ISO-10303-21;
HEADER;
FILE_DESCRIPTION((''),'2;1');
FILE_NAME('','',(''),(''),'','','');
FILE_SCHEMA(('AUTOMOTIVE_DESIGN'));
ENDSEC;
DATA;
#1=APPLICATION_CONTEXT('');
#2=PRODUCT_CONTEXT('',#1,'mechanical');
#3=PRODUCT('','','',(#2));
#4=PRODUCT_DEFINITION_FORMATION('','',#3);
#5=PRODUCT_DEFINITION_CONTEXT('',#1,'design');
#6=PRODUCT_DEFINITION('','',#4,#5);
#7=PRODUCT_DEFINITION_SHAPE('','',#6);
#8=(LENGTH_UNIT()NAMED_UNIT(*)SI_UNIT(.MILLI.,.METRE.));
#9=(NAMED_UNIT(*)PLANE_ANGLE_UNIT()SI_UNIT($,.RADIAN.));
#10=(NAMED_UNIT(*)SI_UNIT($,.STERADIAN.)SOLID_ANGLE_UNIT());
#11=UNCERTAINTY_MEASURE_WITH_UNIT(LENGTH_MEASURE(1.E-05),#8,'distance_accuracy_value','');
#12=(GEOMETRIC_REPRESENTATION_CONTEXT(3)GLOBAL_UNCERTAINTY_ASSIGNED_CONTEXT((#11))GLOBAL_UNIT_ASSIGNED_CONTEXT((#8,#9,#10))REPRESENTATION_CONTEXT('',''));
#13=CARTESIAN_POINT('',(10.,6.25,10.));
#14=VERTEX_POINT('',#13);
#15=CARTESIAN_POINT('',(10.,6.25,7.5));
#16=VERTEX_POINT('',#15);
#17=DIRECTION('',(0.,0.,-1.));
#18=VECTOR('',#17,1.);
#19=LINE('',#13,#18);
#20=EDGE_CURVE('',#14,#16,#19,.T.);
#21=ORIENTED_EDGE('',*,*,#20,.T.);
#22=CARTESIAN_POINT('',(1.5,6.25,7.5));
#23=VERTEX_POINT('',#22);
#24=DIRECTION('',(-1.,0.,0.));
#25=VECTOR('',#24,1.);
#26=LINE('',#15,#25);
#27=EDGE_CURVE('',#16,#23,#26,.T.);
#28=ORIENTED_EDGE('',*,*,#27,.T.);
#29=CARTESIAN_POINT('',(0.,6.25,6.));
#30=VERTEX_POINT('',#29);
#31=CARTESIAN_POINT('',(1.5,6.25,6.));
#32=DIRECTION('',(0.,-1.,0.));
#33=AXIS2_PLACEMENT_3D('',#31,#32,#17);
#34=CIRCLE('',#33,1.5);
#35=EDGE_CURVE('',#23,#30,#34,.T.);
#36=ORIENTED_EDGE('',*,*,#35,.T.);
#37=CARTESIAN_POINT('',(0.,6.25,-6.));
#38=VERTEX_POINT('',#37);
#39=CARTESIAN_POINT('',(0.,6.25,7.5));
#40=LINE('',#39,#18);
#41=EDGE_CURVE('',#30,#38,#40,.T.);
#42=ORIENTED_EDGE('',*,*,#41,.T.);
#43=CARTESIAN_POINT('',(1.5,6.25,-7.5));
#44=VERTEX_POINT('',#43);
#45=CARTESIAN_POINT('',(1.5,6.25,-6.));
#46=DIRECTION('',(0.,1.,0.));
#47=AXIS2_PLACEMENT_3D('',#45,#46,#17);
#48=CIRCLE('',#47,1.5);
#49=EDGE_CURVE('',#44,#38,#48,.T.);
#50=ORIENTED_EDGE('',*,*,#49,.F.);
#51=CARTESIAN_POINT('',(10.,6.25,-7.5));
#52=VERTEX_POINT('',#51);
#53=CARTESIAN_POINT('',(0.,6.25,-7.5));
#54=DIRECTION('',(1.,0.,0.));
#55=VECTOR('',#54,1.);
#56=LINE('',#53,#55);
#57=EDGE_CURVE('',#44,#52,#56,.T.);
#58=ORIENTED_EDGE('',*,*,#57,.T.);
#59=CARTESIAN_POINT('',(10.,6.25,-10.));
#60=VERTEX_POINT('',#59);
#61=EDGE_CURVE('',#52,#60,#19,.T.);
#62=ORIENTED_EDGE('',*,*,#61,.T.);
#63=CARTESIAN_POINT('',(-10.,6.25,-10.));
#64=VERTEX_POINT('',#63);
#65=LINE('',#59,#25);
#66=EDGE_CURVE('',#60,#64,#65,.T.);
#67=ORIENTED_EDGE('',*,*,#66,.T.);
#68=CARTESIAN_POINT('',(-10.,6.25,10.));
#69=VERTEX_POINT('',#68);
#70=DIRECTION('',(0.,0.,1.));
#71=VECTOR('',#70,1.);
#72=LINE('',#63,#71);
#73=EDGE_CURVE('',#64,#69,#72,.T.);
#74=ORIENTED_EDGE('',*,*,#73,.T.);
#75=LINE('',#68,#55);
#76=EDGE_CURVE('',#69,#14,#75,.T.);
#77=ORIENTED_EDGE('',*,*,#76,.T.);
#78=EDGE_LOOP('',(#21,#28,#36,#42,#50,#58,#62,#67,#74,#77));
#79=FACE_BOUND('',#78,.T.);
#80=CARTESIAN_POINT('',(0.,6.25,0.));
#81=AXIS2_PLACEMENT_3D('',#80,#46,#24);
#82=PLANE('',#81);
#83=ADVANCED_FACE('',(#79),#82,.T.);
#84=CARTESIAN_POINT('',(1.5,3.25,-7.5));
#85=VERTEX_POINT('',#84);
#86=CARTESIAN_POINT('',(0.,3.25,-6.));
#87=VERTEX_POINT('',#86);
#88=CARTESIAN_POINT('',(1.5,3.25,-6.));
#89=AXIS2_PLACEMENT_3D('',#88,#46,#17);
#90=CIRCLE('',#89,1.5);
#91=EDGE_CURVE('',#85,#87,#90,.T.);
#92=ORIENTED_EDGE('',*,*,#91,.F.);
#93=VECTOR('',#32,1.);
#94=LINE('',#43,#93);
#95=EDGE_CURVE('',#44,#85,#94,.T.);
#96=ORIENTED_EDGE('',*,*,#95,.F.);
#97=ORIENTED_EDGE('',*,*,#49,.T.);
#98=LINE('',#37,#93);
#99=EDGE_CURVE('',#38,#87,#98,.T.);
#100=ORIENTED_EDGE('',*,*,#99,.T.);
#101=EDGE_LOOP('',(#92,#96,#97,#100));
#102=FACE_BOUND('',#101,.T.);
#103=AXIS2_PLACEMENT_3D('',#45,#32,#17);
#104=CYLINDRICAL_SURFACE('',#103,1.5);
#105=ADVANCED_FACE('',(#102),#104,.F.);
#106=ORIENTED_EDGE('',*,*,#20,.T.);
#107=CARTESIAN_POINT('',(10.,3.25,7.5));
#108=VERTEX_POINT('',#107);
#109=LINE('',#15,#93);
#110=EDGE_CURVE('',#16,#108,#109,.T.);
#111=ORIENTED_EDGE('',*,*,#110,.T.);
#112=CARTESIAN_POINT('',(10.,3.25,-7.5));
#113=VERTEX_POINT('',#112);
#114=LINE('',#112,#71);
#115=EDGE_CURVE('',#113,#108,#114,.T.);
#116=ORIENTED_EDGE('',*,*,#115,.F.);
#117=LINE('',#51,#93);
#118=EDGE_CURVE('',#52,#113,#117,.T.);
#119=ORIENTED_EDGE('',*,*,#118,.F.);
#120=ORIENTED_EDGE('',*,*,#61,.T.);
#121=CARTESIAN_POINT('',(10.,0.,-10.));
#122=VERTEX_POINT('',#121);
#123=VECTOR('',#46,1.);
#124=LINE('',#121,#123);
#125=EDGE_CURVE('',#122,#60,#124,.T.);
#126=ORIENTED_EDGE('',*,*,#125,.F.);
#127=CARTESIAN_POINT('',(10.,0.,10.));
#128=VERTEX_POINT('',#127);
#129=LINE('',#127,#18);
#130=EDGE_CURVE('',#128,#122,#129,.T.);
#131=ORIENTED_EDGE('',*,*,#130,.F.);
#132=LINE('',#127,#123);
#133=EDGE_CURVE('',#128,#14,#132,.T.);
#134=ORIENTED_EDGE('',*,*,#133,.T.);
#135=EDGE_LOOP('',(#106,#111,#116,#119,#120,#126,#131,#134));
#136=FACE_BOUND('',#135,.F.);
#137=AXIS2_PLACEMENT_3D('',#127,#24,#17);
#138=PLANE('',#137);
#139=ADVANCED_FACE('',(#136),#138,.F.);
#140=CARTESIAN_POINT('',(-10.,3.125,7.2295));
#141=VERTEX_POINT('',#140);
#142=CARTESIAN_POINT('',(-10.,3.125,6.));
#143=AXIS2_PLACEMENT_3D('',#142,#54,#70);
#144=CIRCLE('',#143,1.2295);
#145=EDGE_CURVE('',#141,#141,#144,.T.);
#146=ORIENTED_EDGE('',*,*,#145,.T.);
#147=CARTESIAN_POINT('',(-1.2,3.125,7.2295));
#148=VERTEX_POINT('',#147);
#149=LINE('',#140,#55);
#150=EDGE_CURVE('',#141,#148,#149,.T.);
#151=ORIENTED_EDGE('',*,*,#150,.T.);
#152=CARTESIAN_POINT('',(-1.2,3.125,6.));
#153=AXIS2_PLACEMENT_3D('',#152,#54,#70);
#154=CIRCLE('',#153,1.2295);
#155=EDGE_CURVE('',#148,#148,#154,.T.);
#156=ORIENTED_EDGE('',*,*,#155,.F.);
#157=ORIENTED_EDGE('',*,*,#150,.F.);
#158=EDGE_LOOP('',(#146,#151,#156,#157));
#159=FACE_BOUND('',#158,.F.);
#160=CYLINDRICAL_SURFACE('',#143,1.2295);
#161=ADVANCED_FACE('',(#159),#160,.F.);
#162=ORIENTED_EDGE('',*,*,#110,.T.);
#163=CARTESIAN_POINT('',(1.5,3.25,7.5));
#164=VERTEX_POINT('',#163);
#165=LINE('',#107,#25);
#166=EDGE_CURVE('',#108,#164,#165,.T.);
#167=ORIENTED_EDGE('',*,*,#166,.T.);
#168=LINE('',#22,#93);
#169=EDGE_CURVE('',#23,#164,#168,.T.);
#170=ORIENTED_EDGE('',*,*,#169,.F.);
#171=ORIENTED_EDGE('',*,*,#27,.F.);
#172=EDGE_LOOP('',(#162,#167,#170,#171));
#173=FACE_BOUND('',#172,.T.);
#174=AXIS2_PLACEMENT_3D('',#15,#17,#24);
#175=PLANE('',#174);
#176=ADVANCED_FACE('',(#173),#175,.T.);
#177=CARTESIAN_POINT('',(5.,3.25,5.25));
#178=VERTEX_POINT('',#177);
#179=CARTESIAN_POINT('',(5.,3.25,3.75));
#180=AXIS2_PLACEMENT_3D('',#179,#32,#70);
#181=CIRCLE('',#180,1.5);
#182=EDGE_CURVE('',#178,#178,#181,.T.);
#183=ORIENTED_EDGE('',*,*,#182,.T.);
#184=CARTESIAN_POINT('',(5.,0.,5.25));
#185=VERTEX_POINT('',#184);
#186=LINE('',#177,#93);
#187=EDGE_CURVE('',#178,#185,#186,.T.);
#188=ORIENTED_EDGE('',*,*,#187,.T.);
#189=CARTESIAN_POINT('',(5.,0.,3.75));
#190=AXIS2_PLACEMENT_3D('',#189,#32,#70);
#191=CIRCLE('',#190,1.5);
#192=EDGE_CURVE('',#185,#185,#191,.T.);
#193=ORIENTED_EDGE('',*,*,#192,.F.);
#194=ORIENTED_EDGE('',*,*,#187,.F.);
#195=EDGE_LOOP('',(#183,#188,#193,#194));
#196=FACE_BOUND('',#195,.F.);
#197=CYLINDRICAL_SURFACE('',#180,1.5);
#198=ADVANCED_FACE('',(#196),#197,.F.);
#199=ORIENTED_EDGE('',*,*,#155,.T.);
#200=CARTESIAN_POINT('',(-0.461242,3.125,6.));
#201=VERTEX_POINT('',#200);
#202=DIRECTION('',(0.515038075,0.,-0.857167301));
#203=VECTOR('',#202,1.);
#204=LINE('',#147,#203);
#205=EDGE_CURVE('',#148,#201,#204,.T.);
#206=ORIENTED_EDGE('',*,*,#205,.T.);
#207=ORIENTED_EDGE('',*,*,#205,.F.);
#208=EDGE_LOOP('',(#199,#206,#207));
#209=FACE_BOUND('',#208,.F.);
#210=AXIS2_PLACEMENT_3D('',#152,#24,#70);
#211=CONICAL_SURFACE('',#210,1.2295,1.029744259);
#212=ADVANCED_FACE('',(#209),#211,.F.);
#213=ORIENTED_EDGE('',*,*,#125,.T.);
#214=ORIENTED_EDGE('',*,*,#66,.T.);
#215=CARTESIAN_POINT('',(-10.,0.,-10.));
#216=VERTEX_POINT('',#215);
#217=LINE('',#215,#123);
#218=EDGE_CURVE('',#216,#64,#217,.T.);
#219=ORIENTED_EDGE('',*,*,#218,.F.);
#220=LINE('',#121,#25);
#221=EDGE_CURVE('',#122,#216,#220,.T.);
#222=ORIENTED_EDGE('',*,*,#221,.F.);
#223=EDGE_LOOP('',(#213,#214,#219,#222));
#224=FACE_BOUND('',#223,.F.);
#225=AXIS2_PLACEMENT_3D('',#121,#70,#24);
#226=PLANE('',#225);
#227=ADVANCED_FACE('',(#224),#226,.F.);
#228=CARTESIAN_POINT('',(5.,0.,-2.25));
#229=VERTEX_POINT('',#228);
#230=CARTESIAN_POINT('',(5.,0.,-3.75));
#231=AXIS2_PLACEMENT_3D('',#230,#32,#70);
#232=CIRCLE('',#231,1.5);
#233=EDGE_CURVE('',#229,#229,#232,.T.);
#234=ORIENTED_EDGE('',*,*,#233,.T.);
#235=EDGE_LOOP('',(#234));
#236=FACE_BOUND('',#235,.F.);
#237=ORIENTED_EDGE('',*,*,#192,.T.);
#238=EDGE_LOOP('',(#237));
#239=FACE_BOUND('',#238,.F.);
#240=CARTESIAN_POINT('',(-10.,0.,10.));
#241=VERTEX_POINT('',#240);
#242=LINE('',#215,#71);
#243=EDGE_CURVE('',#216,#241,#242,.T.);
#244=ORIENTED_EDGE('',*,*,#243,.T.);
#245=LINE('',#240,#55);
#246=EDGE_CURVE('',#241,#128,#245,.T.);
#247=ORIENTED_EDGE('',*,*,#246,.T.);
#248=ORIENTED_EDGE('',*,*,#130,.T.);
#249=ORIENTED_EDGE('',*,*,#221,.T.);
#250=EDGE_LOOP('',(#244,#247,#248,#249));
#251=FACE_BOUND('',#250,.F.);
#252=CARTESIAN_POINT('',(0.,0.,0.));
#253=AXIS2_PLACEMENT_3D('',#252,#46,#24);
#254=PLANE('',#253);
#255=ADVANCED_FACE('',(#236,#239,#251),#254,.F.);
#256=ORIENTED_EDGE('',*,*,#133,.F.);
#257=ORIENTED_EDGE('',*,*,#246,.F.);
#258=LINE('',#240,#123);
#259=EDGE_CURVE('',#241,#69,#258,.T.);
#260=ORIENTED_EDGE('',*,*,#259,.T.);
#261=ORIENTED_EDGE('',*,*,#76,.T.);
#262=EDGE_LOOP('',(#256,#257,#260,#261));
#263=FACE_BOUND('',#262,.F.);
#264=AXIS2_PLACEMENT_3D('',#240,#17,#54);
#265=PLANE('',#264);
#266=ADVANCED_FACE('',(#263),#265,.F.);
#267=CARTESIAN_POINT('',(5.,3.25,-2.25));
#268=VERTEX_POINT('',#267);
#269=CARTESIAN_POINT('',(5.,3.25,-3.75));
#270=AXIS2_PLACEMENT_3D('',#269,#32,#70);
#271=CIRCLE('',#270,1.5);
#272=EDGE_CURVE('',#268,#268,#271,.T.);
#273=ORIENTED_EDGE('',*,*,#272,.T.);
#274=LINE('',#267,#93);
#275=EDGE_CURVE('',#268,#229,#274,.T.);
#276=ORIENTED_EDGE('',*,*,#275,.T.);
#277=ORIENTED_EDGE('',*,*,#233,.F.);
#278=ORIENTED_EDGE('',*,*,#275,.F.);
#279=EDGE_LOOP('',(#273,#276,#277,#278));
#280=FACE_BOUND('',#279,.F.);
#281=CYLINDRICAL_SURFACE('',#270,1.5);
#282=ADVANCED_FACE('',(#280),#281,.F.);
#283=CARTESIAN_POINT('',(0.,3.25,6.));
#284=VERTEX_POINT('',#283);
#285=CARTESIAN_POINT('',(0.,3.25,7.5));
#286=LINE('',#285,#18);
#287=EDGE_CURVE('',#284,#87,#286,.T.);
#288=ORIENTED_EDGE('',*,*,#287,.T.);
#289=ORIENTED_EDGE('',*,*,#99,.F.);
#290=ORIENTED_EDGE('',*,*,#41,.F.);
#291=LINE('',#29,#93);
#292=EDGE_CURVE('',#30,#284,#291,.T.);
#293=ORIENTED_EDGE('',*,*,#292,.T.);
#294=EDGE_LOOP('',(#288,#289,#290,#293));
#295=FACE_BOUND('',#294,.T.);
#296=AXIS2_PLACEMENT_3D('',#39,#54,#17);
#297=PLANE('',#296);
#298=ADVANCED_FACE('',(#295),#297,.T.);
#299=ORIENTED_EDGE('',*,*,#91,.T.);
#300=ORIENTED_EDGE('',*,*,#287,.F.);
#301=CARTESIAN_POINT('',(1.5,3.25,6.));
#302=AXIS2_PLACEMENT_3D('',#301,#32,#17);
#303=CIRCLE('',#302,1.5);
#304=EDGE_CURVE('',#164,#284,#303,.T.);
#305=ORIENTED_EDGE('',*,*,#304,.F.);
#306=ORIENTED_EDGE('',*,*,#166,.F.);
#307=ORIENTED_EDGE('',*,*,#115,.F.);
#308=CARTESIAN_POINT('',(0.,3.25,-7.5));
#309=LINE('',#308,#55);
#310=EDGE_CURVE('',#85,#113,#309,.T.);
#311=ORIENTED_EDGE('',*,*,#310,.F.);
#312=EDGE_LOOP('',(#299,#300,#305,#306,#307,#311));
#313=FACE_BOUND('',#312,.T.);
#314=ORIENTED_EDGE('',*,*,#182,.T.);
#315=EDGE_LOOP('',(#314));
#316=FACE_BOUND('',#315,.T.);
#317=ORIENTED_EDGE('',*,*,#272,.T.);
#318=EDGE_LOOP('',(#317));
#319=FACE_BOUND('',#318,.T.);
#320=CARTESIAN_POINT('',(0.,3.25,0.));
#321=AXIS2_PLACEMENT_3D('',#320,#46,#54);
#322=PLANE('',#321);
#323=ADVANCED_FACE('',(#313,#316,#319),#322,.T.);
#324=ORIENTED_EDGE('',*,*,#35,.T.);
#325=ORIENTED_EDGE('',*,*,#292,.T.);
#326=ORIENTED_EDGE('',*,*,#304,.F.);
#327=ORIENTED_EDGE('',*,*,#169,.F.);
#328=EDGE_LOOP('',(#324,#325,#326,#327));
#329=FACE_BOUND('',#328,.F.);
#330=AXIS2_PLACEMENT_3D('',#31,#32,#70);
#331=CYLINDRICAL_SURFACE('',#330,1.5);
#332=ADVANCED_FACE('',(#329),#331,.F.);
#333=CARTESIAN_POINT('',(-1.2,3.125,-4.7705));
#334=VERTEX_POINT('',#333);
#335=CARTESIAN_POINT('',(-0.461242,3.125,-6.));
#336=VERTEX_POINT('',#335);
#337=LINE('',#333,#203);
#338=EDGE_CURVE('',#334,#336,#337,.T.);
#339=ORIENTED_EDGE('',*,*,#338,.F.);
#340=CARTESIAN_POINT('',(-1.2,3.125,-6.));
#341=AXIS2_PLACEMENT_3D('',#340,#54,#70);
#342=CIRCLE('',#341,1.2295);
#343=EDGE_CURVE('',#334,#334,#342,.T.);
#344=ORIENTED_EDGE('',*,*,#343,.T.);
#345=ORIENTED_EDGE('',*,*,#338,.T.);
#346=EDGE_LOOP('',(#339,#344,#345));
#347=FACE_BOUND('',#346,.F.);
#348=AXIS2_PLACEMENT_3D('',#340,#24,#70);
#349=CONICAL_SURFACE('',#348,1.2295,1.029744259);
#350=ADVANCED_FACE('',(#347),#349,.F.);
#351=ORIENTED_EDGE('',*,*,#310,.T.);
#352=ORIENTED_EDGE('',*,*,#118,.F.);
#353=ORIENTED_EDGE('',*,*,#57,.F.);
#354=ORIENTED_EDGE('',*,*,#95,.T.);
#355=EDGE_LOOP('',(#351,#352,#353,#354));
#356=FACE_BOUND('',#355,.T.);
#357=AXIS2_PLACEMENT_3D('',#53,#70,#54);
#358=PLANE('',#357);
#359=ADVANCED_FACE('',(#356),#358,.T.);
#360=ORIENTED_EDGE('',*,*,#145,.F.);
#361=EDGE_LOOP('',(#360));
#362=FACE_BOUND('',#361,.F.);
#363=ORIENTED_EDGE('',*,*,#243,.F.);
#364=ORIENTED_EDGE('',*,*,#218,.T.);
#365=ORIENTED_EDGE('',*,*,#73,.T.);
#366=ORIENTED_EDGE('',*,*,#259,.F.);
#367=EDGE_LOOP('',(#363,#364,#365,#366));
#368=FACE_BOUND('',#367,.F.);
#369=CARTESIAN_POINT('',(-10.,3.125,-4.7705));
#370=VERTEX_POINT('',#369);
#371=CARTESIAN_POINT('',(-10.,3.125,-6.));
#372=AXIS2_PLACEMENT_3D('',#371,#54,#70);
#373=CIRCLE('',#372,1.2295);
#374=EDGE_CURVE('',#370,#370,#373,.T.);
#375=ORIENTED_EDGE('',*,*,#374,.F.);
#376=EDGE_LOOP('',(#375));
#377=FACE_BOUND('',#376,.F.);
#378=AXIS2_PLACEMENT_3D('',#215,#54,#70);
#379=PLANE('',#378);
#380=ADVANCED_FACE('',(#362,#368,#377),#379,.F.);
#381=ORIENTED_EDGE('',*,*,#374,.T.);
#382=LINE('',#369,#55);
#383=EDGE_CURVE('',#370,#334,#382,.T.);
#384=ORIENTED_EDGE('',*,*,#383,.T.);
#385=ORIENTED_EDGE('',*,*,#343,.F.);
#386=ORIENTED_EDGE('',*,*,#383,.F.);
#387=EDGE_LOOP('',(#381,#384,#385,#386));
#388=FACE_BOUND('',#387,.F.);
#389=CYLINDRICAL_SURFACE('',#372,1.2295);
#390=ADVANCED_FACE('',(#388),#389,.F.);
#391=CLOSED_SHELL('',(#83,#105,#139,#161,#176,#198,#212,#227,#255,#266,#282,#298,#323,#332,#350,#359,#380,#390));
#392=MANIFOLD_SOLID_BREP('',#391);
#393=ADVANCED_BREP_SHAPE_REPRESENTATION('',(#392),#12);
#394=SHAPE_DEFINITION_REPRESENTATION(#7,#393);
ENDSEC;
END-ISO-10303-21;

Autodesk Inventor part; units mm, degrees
ref_plane "YZ Plane" through (0, 0, 0) normal (1, 0, 0) x (0, 1, 0)
ref_plane "XZ Plane" through (0, 0, 0) normal (0, 1, 0) x (-1, 0, 0)
ref_plane "XY Plane" through (0, 0, 0) normal (0, 0, 1) x (1, 0, 0)
sketch "Sketch1" plane through (0, 0, 0) normal (0, 1, 0) x (-1, 0, 0)
  line L0 (-10, -10) -> (10, -10)
  line L1 (10, -10) -> (10, 10)
  line L2 (10, 10) -> (-10, 10)
  line L3 (-10, 10) -> (-10, -10)
  line L4 (-10, -10) -> (10, 10) construction
  line L5 (10, -10) -> (-10, 10) construction
  point P0 (0, 0)
  dimension "d0" = 20
  dimension "d1" = 20
extrude "Extrusion1" add sketch "Sketch1" along normal blind 6.25
sketch "Sketch2" plane through (0, 6.25, 0) normal (0, 1, 0) x (1, 0, 0)
  line L0 (10, -7.5) -> (0, -7.5)
  line L1 (0, -7.5) -> (0, 7.5)
  line L2 (0, 7.5) -> (10, 7.5)
  line L3 (10, 7.5) -> (10, -7.5)
  line L4 (10, -10) -> (10, 10) projected
  line L5 (0, 0) -> (15, 0) construction
  line L6 (-15, 0) -> (20, 0) construction
  line L7 (-10, 10) -> (-10, -10) construction
  point P0 (0, 0)
  dimension "d4" = 15
  dimension "d5" = 10
extrude "Extrusion2" cut sketch "Sketch2" against normal blind 3
sketch "Sketch3" plane through (0, 3.25, 0) normal (0, 1, 0) x (1, 0, 0)
  line L0 (-14, 0) -> (14, 0) construction
  line L1 (10, -7.5) -> (0, -7.5) construction
  line L2 (10, -7.5) -> (0, -7.5) construction
  line L3 (5, -7.5) -> (5, 18.284) construction
  point P0 (0, 0)
  point P1 (5, -3.75)
  point P2 (5, 3.75)
  dimension "d8" = 7.5
  dimension "d26" = 3.75
hole "Hole1" at (5, 3.25, 3.75) at (5, 3.25, -3.75) direction (0, -1, 0) diameter 3 end through all
sketch "Sketch4" plane through (-10, 0, -10) normal (-1, 0, 0) x (0, 0, 1)
  line L0 (0, 0) -> (20, 0) construction
  line L1 (20, 0) -> (20, 6.25) construction
  line L2 (0, 6.25) -> (20, 6.25) construction
  line L3 (0, 0) -> (0, 6.25) construction
  line L4 (20, 3.125) -> (0, 3.125) construction
  line L5 (10, 0) -> (10, 6.25) construction
  point P0 (16, 3.125)
  point P1 (4, 3.125)
  dimension "d17" = 6
  dimension "d18" = 6
hole "Hole2" at (-10, 3.125, 6) at (-10, 3.125, -6) direction (1, 0, 0) diameter 2.459 depth 8.8 tip angle 118 thread size "M3x0.5" class "6H" standard "ANSI Metric M Profile"
fillet "Fillet1" radius 1.5 2 edges at (0, 4.75, -7.5) (0, 4.75, 7.5)
equation "\"d0\" = pillar_block_width"
equation "\"d1\" = pillar_block_length"
equation "\"d2\" = stock_6_width"
equation "\"d4\" = pillar_width"
equation "\"d6\" = stock_3_width"
equation "\"stock_6_width\" = 6.25"
equation "\"pillar_block_length\" = 20"
equation "\"pillar_block_width\" = 20"
equation "\"pillar_width\" = 15"
equation "\"stock_3_width\" = 3"
equation "\"pillar_length\" = 80"
properties part number "pillar_block" material "Aluminum 2014-T4"
